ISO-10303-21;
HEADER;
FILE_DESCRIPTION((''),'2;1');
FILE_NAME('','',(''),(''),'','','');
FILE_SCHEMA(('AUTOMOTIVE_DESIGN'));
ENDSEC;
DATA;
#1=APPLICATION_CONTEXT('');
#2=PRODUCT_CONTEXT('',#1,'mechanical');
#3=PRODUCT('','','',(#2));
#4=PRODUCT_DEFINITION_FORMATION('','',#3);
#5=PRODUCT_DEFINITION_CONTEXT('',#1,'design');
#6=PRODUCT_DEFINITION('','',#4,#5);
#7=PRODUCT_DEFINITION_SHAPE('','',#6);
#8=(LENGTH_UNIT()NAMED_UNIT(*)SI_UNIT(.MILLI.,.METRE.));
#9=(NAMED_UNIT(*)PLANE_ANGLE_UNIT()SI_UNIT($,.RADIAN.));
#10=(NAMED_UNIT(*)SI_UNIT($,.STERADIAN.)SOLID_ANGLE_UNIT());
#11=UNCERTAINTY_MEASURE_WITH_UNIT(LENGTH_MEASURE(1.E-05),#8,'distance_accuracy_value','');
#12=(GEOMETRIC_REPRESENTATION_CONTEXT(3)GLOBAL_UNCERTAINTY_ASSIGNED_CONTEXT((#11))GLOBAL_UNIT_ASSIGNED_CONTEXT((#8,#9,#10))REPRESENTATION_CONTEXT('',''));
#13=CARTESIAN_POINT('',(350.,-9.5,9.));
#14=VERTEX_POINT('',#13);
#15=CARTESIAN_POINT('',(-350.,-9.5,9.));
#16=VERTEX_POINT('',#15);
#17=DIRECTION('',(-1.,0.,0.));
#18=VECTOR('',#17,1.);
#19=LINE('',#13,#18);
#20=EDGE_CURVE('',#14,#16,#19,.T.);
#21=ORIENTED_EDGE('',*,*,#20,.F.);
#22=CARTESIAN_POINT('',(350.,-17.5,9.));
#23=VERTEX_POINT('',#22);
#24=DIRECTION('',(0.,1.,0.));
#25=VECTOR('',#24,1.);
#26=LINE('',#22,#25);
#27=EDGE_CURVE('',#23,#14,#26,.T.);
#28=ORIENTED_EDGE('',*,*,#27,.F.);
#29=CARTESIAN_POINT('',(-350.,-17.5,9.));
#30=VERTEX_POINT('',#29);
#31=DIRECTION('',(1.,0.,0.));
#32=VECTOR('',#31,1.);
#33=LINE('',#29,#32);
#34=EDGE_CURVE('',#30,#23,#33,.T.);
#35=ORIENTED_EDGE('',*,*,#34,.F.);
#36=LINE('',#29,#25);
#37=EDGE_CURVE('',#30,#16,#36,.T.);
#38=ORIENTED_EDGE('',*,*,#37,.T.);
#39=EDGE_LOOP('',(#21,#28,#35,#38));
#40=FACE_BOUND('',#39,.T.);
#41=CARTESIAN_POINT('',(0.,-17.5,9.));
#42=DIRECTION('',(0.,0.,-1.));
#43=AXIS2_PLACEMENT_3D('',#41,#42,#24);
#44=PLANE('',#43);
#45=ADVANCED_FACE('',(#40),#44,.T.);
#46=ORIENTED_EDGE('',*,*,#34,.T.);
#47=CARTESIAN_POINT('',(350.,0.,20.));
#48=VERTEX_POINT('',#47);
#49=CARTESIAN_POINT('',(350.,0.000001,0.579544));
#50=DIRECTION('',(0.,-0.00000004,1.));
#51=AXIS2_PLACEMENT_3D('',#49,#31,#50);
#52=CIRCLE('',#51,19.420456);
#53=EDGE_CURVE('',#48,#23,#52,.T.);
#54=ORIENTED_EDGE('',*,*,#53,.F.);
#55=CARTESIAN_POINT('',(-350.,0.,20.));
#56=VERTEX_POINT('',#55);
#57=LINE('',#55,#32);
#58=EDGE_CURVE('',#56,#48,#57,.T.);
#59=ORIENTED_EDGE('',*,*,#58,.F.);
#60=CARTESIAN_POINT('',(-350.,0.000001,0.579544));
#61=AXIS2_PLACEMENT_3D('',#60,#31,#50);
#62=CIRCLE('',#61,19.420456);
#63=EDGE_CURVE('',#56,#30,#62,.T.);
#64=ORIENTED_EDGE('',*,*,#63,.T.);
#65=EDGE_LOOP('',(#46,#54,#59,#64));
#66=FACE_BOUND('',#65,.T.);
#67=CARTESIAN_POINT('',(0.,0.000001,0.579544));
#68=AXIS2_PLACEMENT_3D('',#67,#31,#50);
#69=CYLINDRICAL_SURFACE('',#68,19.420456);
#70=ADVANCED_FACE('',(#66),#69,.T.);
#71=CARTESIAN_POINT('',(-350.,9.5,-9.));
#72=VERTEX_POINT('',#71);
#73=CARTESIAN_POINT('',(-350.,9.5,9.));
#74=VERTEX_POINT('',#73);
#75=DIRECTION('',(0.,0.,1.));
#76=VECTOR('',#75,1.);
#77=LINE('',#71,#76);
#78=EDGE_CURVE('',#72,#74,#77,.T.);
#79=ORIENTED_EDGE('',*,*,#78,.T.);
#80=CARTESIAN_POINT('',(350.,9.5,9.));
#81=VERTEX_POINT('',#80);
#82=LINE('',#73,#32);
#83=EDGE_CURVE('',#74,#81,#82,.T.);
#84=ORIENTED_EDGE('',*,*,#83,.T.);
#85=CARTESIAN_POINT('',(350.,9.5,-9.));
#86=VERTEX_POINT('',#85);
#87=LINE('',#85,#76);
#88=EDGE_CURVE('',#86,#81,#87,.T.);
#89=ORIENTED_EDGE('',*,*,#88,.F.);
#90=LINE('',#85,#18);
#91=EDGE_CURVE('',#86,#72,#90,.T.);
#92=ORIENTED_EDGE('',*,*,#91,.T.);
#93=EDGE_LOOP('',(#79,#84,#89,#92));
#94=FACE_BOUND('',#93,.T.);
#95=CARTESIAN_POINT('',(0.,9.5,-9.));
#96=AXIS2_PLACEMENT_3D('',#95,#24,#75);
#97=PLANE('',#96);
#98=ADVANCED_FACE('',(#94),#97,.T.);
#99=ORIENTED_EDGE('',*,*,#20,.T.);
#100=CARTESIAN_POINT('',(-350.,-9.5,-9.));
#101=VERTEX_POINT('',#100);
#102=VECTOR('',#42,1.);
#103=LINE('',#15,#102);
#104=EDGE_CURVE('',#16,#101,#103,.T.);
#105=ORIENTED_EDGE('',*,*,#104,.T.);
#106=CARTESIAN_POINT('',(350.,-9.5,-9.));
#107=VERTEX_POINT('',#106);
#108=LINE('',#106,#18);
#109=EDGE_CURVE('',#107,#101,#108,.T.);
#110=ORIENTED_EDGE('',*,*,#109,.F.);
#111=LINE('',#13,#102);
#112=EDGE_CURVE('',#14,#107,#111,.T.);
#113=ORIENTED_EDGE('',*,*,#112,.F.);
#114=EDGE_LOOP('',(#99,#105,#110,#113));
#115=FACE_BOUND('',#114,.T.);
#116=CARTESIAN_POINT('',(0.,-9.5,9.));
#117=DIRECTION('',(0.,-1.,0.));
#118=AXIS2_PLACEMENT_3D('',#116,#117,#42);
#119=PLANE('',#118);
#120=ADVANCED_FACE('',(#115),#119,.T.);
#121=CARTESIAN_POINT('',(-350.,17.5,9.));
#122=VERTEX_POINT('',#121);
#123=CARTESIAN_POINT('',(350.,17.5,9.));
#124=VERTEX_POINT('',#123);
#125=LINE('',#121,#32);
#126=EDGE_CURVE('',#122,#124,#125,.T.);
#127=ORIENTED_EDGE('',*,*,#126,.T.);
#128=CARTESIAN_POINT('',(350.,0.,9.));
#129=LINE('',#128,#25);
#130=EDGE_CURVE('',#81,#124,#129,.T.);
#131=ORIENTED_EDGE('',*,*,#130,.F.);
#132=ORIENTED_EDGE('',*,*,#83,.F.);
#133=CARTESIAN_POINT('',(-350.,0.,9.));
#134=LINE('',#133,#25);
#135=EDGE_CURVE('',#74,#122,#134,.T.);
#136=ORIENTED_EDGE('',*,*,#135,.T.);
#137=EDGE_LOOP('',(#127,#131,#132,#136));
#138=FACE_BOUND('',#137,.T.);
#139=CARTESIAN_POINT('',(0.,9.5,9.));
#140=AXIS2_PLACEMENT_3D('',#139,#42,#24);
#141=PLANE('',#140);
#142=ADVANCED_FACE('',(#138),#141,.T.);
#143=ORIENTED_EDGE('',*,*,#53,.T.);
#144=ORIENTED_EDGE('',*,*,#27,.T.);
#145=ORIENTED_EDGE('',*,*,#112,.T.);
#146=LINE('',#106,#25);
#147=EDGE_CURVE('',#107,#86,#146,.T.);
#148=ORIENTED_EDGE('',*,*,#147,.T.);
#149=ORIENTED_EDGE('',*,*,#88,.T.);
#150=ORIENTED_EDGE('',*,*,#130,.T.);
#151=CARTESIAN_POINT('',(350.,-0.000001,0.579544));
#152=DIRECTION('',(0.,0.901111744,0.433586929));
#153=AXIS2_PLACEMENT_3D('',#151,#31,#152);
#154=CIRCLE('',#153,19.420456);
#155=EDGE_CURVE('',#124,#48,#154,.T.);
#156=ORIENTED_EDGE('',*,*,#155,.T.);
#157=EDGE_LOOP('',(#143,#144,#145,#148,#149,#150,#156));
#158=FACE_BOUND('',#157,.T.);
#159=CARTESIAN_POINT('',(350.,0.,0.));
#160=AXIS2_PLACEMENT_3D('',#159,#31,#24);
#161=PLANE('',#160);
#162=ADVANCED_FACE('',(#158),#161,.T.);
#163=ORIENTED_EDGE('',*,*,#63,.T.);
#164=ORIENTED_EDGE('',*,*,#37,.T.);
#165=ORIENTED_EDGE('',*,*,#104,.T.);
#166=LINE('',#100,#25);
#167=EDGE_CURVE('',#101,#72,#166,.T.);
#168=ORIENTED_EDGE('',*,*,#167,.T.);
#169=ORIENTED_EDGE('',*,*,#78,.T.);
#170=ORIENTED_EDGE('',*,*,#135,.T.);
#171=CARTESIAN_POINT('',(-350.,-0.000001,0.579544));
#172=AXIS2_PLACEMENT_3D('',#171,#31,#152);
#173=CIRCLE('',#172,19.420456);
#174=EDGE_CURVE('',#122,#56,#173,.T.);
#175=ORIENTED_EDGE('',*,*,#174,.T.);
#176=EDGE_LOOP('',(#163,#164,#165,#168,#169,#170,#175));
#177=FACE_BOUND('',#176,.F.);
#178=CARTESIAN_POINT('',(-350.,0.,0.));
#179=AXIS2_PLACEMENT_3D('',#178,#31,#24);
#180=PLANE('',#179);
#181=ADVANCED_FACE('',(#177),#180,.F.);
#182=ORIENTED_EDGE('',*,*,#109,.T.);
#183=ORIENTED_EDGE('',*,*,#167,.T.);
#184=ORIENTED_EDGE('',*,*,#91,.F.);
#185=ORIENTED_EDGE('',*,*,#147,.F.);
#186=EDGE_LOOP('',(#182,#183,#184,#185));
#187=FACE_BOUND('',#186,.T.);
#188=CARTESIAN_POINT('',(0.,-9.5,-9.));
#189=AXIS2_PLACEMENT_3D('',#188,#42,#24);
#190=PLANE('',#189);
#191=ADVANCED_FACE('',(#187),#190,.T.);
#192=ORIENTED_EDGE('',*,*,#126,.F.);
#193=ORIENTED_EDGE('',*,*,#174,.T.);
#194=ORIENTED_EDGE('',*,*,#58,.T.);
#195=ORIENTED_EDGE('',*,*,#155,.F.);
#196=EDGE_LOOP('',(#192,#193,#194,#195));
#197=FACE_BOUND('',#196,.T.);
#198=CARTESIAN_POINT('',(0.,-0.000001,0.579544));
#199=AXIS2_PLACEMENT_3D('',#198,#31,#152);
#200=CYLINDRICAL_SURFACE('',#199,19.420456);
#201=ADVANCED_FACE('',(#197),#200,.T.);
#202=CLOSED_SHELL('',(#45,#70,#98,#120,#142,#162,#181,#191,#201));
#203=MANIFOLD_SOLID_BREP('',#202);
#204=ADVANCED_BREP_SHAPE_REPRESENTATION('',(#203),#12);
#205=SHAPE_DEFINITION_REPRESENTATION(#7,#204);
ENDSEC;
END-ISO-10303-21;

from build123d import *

# Parameters (mm, degrees)
F1_DEPTH = 350


with BuildPart() as f1:
    # F0 (on Right) → F1 (new body, symmetric)
    with BuildSketch(Plane.YZ):
        Polygon((9.5, -9), (9.5, 9), (0, 9), (-9.5, 9), (-9.5, -9), (0, -9), align=None)
        with BuildLine():
            Line((0, 9), (9.5, 9))
            Line((9.5, 9), (17.5, 9))
            ThreePointArc((17.5, 9), (10.335013, 17.021612), (0, 20))
            Line((0, 20), (0, 9))
        make_face()
        with BuildLine():
            Line((-9.5, 9), (0, 9))
            Line((0, 9), (0, 20))
            ThreePointArc((0, 20), (-10.335013, 17.021612), (-17.5, 9))
            Line((-17.5, 9), (-9.5, 9))
        make_face()
    extrude(amount=F1_DEPTH, both=True)


solid = f1.part
